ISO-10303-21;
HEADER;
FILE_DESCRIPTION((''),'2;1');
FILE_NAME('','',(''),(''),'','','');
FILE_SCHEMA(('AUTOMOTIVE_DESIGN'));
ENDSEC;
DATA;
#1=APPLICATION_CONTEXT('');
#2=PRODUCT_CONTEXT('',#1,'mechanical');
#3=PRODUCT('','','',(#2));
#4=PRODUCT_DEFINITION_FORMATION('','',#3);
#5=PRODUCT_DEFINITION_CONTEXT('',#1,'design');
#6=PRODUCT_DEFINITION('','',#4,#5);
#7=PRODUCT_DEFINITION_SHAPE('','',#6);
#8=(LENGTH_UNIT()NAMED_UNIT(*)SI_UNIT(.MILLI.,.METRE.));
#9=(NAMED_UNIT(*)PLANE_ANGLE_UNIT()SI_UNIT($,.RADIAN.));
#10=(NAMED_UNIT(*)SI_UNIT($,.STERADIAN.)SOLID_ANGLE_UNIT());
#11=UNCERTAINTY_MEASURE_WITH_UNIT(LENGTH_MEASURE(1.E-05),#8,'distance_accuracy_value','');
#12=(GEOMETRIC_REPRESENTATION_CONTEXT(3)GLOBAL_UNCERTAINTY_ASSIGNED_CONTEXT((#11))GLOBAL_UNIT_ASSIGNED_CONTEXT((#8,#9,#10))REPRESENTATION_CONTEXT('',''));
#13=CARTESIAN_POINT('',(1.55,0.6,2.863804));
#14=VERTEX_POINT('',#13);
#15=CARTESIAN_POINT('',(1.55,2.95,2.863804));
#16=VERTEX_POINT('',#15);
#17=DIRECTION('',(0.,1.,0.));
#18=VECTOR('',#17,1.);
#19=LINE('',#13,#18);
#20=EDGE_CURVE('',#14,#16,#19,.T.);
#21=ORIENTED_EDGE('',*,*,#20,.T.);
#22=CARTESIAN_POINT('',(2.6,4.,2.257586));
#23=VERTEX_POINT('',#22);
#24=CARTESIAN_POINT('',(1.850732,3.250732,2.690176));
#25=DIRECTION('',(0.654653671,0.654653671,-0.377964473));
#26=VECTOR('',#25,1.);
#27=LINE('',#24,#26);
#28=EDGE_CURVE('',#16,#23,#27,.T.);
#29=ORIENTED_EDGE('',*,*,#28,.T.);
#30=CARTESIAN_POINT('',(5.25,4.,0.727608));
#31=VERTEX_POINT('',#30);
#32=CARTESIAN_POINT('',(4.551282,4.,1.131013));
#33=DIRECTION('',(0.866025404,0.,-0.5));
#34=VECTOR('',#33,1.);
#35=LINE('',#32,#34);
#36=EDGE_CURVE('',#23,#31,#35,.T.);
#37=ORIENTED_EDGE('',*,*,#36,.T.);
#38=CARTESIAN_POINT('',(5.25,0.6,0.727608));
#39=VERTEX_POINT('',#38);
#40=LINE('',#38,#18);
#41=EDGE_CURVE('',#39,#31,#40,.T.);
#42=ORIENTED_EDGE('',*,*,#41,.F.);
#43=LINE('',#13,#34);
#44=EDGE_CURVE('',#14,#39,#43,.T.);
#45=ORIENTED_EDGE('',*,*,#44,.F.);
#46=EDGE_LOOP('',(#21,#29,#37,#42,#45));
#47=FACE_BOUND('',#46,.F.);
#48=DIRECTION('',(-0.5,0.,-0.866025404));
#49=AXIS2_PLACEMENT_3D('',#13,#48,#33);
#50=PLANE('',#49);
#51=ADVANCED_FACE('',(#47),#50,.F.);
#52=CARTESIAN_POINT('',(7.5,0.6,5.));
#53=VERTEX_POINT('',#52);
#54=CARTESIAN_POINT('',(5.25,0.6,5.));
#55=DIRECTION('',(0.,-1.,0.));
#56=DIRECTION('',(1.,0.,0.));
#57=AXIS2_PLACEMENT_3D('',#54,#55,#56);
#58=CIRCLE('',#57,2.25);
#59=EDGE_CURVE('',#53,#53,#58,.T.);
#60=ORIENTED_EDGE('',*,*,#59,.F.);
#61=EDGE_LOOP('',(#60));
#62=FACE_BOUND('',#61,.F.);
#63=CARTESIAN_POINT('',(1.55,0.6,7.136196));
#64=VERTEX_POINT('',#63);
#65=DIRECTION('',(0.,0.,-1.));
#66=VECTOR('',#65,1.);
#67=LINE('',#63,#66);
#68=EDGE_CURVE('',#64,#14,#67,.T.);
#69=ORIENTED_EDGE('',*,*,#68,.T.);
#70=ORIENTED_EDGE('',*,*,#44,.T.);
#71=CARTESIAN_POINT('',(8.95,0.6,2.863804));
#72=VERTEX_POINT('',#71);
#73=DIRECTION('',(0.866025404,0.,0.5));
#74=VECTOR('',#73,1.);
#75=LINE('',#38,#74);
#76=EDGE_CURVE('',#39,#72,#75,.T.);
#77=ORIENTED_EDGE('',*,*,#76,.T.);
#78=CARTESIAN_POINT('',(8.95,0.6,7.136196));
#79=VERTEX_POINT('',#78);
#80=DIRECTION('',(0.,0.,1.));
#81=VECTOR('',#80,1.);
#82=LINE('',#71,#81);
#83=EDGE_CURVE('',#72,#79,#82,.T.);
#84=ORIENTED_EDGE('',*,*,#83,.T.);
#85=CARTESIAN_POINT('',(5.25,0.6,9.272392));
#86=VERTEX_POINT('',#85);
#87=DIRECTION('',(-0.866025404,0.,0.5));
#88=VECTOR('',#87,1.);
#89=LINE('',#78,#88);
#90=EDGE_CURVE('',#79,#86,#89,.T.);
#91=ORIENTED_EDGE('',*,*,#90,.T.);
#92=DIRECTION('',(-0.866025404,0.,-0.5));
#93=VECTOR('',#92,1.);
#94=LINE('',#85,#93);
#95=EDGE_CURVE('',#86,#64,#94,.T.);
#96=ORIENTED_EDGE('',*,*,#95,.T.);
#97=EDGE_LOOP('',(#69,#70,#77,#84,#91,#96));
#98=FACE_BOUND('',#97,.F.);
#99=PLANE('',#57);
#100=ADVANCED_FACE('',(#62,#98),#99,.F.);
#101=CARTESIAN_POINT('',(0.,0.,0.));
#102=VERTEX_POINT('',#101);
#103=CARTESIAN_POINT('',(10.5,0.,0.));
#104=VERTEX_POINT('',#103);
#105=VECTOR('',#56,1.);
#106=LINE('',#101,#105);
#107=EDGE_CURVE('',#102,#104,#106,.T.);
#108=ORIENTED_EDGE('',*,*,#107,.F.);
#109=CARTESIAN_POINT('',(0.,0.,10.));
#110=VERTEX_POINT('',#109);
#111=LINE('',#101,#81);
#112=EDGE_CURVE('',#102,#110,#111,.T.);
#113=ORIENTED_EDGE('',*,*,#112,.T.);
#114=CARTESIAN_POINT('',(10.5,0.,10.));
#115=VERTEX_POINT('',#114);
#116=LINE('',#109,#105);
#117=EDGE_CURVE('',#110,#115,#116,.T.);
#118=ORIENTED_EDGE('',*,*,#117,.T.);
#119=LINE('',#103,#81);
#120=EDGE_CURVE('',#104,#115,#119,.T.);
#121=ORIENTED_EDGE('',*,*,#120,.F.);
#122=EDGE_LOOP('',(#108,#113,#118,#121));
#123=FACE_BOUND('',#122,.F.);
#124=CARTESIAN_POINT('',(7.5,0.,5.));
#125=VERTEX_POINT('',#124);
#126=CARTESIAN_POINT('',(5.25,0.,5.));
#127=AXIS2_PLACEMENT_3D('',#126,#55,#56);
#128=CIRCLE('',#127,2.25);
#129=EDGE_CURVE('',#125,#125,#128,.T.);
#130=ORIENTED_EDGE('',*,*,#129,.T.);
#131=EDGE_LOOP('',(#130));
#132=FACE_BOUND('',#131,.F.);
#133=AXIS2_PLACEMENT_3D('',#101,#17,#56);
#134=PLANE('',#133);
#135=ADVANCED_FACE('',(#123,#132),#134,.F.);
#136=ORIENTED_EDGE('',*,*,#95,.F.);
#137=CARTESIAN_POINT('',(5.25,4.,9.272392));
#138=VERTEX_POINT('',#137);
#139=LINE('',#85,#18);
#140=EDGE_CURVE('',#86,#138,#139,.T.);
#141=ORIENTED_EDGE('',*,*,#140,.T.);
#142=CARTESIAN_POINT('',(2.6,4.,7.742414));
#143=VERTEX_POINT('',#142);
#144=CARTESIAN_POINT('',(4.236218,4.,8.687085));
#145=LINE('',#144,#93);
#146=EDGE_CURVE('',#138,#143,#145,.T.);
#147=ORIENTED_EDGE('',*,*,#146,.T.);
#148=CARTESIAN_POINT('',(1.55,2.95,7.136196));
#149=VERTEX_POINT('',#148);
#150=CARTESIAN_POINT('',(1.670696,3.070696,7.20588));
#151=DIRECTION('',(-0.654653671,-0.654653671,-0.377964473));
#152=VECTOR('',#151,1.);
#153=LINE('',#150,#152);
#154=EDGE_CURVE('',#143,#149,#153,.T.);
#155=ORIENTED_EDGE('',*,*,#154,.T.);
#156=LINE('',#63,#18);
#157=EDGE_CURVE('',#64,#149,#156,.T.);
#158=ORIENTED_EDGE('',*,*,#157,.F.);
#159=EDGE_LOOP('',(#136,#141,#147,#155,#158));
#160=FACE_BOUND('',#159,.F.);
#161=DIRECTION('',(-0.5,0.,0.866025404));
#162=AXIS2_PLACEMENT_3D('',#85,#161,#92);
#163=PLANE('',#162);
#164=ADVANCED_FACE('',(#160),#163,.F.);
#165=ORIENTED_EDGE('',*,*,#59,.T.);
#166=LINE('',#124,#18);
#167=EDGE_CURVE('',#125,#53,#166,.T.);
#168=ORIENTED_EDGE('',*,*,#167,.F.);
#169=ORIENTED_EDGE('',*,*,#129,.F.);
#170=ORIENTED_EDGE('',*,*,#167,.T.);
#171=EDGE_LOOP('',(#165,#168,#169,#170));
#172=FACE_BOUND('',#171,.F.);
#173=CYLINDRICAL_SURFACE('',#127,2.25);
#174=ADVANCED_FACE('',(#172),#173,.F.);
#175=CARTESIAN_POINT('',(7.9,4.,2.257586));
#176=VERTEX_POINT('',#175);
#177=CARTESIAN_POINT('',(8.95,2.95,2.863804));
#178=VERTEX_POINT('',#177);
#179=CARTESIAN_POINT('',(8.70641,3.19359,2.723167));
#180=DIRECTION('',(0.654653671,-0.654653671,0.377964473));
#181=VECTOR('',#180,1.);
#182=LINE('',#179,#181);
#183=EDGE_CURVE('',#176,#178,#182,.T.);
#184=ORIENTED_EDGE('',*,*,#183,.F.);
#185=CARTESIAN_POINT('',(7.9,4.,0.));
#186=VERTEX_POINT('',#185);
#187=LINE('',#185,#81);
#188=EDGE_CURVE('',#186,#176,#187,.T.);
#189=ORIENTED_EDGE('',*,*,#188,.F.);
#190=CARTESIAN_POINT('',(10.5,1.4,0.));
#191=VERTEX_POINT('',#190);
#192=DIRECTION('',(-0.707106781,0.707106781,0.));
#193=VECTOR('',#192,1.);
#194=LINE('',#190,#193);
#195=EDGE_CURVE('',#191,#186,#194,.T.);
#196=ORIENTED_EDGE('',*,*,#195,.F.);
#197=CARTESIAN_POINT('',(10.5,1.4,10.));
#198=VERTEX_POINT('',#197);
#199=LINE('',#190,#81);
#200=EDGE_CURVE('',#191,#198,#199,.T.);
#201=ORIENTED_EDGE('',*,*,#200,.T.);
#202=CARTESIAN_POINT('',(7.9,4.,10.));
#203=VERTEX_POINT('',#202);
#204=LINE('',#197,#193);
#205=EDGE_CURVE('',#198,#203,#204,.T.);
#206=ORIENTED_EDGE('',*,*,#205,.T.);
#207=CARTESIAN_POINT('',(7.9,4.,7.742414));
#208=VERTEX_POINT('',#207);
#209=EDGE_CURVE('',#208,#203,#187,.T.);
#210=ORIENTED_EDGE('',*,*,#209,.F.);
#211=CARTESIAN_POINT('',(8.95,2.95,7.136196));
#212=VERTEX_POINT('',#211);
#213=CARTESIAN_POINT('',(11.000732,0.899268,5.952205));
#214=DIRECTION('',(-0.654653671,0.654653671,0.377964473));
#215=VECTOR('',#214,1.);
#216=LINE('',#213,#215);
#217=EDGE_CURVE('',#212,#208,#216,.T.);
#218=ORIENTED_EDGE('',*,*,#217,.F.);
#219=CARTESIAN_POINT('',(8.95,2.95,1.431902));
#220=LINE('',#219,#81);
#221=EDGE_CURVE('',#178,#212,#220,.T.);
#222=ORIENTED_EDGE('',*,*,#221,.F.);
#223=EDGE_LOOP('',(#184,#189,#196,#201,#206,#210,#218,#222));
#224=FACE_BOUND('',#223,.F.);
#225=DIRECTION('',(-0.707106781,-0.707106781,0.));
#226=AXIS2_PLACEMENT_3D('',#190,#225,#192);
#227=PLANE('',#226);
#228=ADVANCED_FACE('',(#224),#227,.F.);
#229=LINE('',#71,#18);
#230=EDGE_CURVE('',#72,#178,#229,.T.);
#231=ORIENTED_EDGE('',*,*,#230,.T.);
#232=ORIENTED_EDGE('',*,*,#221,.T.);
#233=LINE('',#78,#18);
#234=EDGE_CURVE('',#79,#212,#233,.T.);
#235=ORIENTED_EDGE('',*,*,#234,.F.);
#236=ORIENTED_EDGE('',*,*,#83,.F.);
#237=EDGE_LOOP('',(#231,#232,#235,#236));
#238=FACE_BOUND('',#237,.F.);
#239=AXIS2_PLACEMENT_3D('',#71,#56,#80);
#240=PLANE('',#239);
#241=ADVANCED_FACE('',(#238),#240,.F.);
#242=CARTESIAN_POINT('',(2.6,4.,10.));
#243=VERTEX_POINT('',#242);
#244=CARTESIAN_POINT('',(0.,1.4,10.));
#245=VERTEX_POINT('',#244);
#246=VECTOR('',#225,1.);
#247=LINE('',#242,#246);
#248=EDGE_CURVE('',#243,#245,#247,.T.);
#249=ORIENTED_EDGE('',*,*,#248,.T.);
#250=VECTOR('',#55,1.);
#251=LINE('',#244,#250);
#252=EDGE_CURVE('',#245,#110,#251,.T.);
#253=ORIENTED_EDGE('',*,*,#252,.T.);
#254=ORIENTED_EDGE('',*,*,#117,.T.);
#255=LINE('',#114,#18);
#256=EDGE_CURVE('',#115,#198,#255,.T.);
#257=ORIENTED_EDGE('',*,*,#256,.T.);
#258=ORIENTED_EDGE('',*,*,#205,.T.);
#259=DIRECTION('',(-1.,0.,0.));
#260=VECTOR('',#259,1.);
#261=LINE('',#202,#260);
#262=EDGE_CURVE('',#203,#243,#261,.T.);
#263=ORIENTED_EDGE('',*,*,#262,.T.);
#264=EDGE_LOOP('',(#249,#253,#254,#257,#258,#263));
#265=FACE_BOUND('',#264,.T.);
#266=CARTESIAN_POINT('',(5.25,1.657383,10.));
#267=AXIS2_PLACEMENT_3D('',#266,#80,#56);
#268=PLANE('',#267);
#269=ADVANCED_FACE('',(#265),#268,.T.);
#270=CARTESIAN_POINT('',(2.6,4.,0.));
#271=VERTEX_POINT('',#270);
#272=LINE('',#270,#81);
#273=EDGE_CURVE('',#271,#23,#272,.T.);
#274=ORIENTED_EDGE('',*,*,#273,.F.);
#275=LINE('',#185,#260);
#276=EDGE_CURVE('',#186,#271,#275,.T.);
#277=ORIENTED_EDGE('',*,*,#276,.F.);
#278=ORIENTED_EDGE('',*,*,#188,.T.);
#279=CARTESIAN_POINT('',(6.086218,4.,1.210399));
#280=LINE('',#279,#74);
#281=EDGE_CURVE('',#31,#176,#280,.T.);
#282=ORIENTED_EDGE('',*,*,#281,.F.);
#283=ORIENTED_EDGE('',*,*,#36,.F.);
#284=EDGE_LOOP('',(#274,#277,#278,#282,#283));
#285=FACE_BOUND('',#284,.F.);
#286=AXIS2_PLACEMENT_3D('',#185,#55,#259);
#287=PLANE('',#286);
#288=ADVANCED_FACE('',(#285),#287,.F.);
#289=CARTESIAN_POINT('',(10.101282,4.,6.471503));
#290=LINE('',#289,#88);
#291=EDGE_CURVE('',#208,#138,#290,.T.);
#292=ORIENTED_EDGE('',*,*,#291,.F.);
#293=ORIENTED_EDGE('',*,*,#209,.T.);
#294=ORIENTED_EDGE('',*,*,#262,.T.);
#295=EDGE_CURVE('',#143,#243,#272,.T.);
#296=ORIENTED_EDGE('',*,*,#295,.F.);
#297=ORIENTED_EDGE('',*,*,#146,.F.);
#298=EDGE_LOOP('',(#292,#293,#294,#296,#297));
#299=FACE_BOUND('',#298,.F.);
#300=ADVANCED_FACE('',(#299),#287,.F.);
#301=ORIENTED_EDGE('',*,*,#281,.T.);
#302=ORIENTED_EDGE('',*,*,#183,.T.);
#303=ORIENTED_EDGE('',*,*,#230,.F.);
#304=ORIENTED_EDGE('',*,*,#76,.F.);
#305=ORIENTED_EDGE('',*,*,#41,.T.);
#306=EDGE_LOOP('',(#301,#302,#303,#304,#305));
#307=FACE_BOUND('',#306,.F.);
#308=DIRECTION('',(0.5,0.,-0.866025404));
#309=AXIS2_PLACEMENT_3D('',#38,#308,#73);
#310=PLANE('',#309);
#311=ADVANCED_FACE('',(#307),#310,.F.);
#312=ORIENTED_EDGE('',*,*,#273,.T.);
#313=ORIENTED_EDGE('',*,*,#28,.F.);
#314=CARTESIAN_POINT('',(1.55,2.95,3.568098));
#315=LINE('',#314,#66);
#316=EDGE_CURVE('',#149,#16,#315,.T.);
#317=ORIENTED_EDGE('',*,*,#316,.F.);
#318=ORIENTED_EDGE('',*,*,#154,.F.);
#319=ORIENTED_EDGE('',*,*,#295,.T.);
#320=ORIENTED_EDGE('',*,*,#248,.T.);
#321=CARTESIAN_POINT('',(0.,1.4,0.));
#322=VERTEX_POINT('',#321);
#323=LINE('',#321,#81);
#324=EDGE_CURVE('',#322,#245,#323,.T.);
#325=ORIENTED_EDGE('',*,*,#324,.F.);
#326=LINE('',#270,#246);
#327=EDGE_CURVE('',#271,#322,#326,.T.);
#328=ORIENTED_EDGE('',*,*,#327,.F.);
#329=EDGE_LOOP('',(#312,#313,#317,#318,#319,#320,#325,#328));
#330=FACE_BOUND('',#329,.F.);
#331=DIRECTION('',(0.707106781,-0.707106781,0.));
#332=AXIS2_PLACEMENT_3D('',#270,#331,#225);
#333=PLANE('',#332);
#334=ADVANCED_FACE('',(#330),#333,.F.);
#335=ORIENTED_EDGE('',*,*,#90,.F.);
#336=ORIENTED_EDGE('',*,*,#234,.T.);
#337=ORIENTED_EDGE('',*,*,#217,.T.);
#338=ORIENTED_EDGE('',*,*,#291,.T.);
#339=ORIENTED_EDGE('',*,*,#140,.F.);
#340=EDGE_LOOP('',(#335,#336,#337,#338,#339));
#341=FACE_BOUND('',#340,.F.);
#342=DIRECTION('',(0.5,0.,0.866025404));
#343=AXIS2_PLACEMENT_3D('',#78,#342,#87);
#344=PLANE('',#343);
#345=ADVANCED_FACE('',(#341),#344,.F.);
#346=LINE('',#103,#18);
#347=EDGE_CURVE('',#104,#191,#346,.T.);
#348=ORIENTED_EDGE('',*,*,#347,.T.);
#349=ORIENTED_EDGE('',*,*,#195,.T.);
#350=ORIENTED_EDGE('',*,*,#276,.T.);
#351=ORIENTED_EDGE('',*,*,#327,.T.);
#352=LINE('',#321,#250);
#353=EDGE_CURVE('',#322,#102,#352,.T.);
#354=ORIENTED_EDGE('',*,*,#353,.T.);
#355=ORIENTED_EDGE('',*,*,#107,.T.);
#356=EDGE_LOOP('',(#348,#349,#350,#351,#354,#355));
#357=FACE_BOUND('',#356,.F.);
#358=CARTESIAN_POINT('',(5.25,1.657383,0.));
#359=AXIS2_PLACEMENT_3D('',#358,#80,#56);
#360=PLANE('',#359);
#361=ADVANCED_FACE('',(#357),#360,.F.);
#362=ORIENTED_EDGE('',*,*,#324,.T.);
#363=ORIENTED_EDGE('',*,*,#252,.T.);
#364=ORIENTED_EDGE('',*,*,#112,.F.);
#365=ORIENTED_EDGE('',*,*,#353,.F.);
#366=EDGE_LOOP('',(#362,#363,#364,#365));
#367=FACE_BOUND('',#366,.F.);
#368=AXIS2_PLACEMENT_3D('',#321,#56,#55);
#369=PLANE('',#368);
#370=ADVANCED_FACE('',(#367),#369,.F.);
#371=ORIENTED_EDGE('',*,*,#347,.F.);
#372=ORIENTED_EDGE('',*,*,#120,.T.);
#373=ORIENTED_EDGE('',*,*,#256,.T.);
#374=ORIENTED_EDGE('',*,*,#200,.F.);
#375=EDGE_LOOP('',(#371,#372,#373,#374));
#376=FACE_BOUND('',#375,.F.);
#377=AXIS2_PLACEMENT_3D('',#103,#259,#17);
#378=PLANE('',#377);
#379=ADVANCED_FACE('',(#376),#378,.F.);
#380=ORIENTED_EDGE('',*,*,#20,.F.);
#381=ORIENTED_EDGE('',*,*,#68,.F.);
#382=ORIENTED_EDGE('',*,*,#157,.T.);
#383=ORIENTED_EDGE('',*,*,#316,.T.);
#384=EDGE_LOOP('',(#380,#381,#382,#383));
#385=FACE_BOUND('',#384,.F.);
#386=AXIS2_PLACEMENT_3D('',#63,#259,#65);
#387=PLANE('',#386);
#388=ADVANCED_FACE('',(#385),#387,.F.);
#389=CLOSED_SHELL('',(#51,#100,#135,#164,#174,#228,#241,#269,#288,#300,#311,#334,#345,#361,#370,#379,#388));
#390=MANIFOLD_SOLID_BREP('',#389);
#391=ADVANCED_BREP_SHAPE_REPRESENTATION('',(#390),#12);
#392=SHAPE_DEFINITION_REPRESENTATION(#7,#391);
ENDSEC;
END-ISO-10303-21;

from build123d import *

# Parameters (mm, degrees)
F1_DEPTH = 10
F3_START = -0.6
F2_R     = 2.25
F3_DEPTH = 3.401
F4_DEPTH = 0.6


with BuildPart() as f1:
    # F0 (on Top) → F1 (new body)
    with BuildSketch(Plane.XY):
        Polygon((0, 1.4), (0, 0), (10.5, 0), (10.5, 1.4), (7.9, 4), (2.6, 4), align=None)
    extrude(amount=F1_DEPTH)

    # F2 (on face) → F3 (cut)
    with BuildSketch(Plane.XZ.offset(F3_START)):
        Polygon((8.95, 2.863804004), (8.95, 7.136195996), (5.25, 9.272391992), (1.55, 7.136195996), (1.55, 2.863804004), (5.25, 0.727608008), align=None)
        with Locations((5.25, 5)):
            Circle(F2_R, mode=Mode.SUBTRACT)
        with Locations((5.25, 5)):
            Circle(F2_R)
    extrude(amount=-F3_DEPTH, mode=Mode.SUBTRACT)

    # F2 (on face) → F4 (cut, through all)
    with BuildSketch(Plane.XZ):
        with Locations((5.25, 5)):
            Circle(F2_R)
    extrude(amount=-F4_DEPTH, mode=Mode.SUBTRACT)


solid = f1.part
